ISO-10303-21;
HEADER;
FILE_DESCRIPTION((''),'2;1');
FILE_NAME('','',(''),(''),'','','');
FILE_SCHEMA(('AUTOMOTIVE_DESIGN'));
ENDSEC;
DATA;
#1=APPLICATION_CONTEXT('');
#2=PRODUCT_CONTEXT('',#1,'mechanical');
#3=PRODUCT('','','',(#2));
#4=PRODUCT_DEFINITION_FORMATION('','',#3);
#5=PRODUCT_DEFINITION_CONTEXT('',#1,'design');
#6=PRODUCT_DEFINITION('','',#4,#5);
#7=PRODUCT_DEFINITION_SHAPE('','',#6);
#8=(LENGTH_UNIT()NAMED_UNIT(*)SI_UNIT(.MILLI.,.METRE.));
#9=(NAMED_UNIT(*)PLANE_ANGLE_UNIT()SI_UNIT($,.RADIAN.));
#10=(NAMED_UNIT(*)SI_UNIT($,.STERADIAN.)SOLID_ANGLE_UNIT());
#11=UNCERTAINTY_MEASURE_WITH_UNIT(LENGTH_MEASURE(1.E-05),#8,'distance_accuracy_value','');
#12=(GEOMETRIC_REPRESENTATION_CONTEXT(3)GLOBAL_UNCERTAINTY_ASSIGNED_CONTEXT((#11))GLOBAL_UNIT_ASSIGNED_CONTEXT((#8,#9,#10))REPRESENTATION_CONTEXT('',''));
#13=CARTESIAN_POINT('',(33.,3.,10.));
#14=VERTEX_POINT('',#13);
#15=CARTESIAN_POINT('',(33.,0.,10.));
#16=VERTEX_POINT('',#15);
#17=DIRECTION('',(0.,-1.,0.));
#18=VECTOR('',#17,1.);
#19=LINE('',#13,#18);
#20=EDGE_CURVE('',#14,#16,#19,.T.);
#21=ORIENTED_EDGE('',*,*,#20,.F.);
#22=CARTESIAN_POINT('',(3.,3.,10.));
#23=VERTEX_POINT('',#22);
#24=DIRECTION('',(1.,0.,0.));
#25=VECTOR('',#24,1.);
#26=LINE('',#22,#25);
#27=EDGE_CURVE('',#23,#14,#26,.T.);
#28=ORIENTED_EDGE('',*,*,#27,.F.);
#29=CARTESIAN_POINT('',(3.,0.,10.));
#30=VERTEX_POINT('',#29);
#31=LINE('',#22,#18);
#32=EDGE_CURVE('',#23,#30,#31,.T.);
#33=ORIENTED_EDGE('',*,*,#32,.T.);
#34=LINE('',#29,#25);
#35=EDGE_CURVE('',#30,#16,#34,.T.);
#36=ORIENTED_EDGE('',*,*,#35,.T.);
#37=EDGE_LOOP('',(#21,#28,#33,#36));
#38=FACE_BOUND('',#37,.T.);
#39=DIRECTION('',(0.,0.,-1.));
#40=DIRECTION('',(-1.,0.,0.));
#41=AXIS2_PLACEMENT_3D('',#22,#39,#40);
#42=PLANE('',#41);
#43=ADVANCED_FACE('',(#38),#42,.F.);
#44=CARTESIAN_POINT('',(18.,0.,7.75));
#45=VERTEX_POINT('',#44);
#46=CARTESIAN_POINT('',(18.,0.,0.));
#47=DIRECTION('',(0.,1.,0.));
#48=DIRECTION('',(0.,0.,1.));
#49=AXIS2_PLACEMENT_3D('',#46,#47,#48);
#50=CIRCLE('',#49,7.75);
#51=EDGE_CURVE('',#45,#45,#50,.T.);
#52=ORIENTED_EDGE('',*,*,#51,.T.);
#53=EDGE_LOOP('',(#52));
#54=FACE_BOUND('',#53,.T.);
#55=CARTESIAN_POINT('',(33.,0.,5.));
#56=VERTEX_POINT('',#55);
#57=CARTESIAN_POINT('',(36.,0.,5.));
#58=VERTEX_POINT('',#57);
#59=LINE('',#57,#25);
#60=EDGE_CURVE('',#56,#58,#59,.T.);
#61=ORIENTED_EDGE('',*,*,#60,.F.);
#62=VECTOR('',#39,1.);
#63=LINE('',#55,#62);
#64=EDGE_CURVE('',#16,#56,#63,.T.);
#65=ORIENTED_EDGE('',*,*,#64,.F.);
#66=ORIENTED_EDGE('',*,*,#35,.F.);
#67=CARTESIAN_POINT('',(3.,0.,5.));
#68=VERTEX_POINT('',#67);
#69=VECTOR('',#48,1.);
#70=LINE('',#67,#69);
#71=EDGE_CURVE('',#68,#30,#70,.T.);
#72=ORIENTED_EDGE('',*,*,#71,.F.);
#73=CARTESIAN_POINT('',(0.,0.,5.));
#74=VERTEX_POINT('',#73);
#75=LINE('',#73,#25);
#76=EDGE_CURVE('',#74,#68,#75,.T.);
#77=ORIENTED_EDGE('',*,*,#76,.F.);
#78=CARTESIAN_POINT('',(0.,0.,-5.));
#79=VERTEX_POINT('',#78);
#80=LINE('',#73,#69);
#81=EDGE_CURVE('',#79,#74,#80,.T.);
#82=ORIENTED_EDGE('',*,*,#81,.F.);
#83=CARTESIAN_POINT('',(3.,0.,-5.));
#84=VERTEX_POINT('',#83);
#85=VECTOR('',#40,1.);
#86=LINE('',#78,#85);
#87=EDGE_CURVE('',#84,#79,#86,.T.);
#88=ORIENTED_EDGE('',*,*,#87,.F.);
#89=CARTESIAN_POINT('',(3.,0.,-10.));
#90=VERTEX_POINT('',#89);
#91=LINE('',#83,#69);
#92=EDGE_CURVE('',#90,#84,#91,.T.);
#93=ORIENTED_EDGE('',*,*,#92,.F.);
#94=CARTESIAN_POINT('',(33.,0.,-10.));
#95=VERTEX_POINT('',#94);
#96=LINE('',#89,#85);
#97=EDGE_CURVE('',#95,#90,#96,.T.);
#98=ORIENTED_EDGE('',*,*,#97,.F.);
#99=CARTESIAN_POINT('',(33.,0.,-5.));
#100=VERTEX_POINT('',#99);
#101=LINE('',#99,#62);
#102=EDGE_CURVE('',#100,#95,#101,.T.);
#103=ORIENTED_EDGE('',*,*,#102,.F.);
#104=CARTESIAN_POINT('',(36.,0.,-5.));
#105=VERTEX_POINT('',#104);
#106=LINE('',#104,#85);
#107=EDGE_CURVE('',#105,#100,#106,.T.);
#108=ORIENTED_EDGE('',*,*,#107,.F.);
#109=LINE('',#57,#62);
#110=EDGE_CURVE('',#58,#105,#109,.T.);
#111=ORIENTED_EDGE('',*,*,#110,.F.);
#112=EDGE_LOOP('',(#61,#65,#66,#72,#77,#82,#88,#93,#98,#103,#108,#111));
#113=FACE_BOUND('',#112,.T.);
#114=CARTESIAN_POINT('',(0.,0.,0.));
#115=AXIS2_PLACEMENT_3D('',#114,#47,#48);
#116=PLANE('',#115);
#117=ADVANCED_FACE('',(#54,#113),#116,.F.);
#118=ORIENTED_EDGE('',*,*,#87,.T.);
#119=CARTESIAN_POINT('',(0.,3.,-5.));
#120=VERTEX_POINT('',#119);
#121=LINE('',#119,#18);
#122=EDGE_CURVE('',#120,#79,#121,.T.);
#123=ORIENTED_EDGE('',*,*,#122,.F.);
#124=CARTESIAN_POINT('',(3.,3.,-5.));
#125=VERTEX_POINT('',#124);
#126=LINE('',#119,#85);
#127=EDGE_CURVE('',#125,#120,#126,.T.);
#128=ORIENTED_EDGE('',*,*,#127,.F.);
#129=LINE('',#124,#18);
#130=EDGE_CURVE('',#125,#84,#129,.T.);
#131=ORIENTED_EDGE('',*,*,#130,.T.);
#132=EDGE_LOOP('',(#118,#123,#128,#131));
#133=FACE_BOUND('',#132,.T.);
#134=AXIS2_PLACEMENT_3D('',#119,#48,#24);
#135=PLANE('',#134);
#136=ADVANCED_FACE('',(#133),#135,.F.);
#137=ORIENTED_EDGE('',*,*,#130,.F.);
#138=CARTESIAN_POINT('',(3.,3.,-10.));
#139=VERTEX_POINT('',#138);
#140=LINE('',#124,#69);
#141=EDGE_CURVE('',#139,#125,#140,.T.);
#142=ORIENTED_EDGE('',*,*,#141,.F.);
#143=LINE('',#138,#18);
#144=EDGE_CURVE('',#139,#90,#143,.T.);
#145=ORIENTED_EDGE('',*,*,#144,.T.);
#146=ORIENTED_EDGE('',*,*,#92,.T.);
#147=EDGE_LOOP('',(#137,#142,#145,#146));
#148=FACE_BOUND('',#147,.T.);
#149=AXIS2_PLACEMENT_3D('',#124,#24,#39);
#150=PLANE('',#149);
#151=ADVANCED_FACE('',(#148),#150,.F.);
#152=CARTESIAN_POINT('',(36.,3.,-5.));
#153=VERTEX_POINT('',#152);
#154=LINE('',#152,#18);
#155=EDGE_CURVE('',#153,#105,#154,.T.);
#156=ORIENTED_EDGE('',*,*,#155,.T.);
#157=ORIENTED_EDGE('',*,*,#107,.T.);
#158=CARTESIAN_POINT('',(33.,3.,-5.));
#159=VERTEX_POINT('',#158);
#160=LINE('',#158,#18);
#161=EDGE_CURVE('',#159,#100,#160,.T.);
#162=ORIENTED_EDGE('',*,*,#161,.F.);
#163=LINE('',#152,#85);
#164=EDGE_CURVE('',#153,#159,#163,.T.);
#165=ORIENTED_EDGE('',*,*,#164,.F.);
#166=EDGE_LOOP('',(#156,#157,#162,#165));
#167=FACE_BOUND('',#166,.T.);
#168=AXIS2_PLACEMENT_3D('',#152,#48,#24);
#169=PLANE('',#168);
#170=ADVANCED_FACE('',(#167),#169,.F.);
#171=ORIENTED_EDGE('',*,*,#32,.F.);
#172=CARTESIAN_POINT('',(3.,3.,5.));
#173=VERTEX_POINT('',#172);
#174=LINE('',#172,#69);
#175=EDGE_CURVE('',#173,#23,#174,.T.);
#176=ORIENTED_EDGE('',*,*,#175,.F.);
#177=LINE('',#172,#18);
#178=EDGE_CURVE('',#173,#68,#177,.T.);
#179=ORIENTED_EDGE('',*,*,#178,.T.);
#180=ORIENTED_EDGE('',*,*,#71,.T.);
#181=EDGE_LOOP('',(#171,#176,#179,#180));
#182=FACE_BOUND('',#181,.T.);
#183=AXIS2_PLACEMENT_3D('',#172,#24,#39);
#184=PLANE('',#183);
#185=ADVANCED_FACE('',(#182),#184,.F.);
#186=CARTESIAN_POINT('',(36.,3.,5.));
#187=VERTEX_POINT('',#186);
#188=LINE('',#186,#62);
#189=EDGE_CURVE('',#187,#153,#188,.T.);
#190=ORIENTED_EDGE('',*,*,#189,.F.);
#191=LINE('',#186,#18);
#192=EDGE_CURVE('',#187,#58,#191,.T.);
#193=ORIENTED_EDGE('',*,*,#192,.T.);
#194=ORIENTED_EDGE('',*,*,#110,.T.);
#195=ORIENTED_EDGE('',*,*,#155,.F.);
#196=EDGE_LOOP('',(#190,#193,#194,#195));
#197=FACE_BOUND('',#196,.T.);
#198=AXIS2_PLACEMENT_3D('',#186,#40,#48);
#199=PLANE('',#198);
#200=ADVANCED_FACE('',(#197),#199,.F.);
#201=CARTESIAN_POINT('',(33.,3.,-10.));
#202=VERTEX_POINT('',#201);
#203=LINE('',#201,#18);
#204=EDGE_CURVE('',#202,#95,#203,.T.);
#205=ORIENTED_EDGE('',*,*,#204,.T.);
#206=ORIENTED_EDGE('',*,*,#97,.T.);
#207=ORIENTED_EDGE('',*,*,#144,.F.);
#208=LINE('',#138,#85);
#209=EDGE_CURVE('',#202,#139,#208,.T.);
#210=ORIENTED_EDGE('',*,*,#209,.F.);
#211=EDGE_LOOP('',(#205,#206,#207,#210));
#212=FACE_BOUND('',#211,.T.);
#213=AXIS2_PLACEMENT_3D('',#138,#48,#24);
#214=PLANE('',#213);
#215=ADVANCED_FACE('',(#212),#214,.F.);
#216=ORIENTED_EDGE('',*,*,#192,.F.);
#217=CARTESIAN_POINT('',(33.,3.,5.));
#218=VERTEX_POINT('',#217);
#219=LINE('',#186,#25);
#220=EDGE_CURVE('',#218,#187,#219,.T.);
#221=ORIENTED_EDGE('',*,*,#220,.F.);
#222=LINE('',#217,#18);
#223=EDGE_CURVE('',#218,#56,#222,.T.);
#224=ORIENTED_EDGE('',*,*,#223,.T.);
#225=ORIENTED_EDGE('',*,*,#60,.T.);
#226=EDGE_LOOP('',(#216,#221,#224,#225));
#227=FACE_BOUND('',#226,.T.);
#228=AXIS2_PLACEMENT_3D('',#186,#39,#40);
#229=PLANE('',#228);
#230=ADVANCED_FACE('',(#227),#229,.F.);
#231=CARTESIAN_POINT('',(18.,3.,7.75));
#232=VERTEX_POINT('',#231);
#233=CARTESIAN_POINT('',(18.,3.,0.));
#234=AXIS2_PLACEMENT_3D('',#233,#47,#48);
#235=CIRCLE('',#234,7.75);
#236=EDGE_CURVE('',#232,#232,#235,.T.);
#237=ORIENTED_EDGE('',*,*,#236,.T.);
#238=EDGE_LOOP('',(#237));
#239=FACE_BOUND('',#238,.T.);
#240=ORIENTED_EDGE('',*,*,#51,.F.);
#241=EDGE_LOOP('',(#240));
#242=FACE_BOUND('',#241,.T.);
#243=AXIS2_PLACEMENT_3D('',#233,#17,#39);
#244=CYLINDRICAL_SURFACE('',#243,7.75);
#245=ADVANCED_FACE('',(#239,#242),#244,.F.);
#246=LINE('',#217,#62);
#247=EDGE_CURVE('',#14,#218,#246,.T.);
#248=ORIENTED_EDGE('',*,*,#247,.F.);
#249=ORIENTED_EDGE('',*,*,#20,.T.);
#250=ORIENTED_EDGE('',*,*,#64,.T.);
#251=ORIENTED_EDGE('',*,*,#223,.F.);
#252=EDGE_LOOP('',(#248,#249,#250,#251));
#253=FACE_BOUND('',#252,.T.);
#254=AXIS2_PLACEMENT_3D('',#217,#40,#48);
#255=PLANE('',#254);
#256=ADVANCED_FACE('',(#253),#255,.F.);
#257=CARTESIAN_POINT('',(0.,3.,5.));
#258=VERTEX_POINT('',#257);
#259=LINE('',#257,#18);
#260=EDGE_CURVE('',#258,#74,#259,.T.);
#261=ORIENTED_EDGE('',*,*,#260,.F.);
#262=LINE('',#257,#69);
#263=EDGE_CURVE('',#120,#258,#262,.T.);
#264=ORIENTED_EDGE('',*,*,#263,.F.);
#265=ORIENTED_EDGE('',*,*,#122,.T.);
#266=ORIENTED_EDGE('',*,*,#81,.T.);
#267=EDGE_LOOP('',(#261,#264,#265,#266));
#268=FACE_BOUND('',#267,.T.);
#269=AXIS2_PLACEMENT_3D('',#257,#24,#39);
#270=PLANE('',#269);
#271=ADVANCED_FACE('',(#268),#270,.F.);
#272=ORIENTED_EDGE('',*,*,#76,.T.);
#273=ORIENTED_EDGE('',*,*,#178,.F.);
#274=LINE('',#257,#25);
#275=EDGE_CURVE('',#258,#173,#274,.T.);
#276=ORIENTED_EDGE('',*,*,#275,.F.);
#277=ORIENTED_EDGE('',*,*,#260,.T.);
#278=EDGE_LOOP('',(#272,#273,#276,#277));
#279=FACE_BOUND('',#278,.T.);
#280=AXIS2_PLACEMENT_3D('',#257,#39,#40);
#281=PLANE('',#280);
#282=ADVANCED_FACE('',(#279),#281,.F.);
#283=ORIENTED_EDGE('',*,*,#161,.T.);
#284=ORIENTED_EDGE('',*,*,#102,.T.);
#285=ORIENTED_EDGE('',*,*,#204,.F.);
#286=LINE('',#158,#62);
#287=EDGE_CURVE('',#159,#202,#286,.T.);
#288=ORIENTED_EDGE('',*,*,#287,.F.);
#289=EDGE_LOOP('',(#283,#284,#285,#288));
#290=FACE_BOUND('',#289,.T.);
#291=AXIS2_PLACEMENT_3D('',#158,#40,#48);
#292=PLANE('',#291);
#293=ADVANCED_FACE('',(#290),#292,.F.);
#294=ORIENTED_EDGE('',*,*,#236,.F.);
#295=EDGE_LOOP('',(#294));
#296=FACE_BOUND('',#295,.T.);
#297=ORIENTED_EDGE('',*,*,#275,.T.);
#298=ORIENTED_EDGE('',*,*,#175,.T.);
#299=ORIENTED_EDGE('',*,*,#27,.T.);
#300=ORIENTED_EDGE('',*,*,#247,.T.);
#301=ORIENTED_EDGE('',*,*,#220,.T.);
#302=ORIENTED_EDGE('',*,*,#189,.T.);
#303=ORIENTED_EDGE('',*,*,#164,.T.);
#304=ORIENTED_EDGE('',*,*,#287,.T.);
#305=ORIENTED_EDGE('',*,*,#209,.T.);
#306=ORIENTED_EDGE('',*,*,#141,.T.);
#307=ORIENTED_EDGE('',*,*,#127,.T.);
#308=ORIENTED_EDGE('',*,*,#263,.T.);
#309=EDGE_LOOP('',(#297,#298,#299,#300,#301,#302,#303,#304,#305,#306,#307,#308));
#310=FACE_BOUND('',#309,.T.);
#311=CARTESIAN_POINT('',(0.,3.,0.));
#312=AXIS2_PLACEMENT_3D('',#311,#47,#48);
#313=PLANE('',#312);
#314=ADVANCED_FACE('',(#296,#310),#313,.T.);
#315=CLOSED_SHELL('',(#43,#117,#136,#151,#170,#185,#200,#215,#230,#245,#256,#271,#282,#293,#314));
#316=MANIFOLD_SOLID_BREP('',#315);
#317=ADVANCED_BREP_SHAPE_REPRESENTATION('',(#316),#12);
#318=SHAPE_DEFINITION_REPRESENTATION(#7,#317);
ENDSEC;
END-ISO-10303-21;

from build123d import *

# Parameters (mm, degrees)
CROQUIS1_R              = 7.75
SALIENTE_EXTRUIR1_DEPTH = 3


with BuildPart() as part:
    # Croquis1 → Saliente-Extruir1 (new body)
    with BuildSketch(Plane(origin=(0, 0, 0), x_dir=(1, 0, 0), z_dir=(0, 1, 0))):
        Polygon((0, -5), (0, 5), (3, 5), (3, 10), (33, 10), (33, 5), (36, 5), (36, -5), (33, -5), (33, -10), (3, -10), (3, -5), align=None)
        with Locations(Location((18, 0, 0), (0, 0, 270))):
            Circle(CROQUIS1_R, mode=Mode.SUBTRACT)
    extrude(amount=SALIENTE_EXTRUIR1_DEPTH)


solid = part.part
